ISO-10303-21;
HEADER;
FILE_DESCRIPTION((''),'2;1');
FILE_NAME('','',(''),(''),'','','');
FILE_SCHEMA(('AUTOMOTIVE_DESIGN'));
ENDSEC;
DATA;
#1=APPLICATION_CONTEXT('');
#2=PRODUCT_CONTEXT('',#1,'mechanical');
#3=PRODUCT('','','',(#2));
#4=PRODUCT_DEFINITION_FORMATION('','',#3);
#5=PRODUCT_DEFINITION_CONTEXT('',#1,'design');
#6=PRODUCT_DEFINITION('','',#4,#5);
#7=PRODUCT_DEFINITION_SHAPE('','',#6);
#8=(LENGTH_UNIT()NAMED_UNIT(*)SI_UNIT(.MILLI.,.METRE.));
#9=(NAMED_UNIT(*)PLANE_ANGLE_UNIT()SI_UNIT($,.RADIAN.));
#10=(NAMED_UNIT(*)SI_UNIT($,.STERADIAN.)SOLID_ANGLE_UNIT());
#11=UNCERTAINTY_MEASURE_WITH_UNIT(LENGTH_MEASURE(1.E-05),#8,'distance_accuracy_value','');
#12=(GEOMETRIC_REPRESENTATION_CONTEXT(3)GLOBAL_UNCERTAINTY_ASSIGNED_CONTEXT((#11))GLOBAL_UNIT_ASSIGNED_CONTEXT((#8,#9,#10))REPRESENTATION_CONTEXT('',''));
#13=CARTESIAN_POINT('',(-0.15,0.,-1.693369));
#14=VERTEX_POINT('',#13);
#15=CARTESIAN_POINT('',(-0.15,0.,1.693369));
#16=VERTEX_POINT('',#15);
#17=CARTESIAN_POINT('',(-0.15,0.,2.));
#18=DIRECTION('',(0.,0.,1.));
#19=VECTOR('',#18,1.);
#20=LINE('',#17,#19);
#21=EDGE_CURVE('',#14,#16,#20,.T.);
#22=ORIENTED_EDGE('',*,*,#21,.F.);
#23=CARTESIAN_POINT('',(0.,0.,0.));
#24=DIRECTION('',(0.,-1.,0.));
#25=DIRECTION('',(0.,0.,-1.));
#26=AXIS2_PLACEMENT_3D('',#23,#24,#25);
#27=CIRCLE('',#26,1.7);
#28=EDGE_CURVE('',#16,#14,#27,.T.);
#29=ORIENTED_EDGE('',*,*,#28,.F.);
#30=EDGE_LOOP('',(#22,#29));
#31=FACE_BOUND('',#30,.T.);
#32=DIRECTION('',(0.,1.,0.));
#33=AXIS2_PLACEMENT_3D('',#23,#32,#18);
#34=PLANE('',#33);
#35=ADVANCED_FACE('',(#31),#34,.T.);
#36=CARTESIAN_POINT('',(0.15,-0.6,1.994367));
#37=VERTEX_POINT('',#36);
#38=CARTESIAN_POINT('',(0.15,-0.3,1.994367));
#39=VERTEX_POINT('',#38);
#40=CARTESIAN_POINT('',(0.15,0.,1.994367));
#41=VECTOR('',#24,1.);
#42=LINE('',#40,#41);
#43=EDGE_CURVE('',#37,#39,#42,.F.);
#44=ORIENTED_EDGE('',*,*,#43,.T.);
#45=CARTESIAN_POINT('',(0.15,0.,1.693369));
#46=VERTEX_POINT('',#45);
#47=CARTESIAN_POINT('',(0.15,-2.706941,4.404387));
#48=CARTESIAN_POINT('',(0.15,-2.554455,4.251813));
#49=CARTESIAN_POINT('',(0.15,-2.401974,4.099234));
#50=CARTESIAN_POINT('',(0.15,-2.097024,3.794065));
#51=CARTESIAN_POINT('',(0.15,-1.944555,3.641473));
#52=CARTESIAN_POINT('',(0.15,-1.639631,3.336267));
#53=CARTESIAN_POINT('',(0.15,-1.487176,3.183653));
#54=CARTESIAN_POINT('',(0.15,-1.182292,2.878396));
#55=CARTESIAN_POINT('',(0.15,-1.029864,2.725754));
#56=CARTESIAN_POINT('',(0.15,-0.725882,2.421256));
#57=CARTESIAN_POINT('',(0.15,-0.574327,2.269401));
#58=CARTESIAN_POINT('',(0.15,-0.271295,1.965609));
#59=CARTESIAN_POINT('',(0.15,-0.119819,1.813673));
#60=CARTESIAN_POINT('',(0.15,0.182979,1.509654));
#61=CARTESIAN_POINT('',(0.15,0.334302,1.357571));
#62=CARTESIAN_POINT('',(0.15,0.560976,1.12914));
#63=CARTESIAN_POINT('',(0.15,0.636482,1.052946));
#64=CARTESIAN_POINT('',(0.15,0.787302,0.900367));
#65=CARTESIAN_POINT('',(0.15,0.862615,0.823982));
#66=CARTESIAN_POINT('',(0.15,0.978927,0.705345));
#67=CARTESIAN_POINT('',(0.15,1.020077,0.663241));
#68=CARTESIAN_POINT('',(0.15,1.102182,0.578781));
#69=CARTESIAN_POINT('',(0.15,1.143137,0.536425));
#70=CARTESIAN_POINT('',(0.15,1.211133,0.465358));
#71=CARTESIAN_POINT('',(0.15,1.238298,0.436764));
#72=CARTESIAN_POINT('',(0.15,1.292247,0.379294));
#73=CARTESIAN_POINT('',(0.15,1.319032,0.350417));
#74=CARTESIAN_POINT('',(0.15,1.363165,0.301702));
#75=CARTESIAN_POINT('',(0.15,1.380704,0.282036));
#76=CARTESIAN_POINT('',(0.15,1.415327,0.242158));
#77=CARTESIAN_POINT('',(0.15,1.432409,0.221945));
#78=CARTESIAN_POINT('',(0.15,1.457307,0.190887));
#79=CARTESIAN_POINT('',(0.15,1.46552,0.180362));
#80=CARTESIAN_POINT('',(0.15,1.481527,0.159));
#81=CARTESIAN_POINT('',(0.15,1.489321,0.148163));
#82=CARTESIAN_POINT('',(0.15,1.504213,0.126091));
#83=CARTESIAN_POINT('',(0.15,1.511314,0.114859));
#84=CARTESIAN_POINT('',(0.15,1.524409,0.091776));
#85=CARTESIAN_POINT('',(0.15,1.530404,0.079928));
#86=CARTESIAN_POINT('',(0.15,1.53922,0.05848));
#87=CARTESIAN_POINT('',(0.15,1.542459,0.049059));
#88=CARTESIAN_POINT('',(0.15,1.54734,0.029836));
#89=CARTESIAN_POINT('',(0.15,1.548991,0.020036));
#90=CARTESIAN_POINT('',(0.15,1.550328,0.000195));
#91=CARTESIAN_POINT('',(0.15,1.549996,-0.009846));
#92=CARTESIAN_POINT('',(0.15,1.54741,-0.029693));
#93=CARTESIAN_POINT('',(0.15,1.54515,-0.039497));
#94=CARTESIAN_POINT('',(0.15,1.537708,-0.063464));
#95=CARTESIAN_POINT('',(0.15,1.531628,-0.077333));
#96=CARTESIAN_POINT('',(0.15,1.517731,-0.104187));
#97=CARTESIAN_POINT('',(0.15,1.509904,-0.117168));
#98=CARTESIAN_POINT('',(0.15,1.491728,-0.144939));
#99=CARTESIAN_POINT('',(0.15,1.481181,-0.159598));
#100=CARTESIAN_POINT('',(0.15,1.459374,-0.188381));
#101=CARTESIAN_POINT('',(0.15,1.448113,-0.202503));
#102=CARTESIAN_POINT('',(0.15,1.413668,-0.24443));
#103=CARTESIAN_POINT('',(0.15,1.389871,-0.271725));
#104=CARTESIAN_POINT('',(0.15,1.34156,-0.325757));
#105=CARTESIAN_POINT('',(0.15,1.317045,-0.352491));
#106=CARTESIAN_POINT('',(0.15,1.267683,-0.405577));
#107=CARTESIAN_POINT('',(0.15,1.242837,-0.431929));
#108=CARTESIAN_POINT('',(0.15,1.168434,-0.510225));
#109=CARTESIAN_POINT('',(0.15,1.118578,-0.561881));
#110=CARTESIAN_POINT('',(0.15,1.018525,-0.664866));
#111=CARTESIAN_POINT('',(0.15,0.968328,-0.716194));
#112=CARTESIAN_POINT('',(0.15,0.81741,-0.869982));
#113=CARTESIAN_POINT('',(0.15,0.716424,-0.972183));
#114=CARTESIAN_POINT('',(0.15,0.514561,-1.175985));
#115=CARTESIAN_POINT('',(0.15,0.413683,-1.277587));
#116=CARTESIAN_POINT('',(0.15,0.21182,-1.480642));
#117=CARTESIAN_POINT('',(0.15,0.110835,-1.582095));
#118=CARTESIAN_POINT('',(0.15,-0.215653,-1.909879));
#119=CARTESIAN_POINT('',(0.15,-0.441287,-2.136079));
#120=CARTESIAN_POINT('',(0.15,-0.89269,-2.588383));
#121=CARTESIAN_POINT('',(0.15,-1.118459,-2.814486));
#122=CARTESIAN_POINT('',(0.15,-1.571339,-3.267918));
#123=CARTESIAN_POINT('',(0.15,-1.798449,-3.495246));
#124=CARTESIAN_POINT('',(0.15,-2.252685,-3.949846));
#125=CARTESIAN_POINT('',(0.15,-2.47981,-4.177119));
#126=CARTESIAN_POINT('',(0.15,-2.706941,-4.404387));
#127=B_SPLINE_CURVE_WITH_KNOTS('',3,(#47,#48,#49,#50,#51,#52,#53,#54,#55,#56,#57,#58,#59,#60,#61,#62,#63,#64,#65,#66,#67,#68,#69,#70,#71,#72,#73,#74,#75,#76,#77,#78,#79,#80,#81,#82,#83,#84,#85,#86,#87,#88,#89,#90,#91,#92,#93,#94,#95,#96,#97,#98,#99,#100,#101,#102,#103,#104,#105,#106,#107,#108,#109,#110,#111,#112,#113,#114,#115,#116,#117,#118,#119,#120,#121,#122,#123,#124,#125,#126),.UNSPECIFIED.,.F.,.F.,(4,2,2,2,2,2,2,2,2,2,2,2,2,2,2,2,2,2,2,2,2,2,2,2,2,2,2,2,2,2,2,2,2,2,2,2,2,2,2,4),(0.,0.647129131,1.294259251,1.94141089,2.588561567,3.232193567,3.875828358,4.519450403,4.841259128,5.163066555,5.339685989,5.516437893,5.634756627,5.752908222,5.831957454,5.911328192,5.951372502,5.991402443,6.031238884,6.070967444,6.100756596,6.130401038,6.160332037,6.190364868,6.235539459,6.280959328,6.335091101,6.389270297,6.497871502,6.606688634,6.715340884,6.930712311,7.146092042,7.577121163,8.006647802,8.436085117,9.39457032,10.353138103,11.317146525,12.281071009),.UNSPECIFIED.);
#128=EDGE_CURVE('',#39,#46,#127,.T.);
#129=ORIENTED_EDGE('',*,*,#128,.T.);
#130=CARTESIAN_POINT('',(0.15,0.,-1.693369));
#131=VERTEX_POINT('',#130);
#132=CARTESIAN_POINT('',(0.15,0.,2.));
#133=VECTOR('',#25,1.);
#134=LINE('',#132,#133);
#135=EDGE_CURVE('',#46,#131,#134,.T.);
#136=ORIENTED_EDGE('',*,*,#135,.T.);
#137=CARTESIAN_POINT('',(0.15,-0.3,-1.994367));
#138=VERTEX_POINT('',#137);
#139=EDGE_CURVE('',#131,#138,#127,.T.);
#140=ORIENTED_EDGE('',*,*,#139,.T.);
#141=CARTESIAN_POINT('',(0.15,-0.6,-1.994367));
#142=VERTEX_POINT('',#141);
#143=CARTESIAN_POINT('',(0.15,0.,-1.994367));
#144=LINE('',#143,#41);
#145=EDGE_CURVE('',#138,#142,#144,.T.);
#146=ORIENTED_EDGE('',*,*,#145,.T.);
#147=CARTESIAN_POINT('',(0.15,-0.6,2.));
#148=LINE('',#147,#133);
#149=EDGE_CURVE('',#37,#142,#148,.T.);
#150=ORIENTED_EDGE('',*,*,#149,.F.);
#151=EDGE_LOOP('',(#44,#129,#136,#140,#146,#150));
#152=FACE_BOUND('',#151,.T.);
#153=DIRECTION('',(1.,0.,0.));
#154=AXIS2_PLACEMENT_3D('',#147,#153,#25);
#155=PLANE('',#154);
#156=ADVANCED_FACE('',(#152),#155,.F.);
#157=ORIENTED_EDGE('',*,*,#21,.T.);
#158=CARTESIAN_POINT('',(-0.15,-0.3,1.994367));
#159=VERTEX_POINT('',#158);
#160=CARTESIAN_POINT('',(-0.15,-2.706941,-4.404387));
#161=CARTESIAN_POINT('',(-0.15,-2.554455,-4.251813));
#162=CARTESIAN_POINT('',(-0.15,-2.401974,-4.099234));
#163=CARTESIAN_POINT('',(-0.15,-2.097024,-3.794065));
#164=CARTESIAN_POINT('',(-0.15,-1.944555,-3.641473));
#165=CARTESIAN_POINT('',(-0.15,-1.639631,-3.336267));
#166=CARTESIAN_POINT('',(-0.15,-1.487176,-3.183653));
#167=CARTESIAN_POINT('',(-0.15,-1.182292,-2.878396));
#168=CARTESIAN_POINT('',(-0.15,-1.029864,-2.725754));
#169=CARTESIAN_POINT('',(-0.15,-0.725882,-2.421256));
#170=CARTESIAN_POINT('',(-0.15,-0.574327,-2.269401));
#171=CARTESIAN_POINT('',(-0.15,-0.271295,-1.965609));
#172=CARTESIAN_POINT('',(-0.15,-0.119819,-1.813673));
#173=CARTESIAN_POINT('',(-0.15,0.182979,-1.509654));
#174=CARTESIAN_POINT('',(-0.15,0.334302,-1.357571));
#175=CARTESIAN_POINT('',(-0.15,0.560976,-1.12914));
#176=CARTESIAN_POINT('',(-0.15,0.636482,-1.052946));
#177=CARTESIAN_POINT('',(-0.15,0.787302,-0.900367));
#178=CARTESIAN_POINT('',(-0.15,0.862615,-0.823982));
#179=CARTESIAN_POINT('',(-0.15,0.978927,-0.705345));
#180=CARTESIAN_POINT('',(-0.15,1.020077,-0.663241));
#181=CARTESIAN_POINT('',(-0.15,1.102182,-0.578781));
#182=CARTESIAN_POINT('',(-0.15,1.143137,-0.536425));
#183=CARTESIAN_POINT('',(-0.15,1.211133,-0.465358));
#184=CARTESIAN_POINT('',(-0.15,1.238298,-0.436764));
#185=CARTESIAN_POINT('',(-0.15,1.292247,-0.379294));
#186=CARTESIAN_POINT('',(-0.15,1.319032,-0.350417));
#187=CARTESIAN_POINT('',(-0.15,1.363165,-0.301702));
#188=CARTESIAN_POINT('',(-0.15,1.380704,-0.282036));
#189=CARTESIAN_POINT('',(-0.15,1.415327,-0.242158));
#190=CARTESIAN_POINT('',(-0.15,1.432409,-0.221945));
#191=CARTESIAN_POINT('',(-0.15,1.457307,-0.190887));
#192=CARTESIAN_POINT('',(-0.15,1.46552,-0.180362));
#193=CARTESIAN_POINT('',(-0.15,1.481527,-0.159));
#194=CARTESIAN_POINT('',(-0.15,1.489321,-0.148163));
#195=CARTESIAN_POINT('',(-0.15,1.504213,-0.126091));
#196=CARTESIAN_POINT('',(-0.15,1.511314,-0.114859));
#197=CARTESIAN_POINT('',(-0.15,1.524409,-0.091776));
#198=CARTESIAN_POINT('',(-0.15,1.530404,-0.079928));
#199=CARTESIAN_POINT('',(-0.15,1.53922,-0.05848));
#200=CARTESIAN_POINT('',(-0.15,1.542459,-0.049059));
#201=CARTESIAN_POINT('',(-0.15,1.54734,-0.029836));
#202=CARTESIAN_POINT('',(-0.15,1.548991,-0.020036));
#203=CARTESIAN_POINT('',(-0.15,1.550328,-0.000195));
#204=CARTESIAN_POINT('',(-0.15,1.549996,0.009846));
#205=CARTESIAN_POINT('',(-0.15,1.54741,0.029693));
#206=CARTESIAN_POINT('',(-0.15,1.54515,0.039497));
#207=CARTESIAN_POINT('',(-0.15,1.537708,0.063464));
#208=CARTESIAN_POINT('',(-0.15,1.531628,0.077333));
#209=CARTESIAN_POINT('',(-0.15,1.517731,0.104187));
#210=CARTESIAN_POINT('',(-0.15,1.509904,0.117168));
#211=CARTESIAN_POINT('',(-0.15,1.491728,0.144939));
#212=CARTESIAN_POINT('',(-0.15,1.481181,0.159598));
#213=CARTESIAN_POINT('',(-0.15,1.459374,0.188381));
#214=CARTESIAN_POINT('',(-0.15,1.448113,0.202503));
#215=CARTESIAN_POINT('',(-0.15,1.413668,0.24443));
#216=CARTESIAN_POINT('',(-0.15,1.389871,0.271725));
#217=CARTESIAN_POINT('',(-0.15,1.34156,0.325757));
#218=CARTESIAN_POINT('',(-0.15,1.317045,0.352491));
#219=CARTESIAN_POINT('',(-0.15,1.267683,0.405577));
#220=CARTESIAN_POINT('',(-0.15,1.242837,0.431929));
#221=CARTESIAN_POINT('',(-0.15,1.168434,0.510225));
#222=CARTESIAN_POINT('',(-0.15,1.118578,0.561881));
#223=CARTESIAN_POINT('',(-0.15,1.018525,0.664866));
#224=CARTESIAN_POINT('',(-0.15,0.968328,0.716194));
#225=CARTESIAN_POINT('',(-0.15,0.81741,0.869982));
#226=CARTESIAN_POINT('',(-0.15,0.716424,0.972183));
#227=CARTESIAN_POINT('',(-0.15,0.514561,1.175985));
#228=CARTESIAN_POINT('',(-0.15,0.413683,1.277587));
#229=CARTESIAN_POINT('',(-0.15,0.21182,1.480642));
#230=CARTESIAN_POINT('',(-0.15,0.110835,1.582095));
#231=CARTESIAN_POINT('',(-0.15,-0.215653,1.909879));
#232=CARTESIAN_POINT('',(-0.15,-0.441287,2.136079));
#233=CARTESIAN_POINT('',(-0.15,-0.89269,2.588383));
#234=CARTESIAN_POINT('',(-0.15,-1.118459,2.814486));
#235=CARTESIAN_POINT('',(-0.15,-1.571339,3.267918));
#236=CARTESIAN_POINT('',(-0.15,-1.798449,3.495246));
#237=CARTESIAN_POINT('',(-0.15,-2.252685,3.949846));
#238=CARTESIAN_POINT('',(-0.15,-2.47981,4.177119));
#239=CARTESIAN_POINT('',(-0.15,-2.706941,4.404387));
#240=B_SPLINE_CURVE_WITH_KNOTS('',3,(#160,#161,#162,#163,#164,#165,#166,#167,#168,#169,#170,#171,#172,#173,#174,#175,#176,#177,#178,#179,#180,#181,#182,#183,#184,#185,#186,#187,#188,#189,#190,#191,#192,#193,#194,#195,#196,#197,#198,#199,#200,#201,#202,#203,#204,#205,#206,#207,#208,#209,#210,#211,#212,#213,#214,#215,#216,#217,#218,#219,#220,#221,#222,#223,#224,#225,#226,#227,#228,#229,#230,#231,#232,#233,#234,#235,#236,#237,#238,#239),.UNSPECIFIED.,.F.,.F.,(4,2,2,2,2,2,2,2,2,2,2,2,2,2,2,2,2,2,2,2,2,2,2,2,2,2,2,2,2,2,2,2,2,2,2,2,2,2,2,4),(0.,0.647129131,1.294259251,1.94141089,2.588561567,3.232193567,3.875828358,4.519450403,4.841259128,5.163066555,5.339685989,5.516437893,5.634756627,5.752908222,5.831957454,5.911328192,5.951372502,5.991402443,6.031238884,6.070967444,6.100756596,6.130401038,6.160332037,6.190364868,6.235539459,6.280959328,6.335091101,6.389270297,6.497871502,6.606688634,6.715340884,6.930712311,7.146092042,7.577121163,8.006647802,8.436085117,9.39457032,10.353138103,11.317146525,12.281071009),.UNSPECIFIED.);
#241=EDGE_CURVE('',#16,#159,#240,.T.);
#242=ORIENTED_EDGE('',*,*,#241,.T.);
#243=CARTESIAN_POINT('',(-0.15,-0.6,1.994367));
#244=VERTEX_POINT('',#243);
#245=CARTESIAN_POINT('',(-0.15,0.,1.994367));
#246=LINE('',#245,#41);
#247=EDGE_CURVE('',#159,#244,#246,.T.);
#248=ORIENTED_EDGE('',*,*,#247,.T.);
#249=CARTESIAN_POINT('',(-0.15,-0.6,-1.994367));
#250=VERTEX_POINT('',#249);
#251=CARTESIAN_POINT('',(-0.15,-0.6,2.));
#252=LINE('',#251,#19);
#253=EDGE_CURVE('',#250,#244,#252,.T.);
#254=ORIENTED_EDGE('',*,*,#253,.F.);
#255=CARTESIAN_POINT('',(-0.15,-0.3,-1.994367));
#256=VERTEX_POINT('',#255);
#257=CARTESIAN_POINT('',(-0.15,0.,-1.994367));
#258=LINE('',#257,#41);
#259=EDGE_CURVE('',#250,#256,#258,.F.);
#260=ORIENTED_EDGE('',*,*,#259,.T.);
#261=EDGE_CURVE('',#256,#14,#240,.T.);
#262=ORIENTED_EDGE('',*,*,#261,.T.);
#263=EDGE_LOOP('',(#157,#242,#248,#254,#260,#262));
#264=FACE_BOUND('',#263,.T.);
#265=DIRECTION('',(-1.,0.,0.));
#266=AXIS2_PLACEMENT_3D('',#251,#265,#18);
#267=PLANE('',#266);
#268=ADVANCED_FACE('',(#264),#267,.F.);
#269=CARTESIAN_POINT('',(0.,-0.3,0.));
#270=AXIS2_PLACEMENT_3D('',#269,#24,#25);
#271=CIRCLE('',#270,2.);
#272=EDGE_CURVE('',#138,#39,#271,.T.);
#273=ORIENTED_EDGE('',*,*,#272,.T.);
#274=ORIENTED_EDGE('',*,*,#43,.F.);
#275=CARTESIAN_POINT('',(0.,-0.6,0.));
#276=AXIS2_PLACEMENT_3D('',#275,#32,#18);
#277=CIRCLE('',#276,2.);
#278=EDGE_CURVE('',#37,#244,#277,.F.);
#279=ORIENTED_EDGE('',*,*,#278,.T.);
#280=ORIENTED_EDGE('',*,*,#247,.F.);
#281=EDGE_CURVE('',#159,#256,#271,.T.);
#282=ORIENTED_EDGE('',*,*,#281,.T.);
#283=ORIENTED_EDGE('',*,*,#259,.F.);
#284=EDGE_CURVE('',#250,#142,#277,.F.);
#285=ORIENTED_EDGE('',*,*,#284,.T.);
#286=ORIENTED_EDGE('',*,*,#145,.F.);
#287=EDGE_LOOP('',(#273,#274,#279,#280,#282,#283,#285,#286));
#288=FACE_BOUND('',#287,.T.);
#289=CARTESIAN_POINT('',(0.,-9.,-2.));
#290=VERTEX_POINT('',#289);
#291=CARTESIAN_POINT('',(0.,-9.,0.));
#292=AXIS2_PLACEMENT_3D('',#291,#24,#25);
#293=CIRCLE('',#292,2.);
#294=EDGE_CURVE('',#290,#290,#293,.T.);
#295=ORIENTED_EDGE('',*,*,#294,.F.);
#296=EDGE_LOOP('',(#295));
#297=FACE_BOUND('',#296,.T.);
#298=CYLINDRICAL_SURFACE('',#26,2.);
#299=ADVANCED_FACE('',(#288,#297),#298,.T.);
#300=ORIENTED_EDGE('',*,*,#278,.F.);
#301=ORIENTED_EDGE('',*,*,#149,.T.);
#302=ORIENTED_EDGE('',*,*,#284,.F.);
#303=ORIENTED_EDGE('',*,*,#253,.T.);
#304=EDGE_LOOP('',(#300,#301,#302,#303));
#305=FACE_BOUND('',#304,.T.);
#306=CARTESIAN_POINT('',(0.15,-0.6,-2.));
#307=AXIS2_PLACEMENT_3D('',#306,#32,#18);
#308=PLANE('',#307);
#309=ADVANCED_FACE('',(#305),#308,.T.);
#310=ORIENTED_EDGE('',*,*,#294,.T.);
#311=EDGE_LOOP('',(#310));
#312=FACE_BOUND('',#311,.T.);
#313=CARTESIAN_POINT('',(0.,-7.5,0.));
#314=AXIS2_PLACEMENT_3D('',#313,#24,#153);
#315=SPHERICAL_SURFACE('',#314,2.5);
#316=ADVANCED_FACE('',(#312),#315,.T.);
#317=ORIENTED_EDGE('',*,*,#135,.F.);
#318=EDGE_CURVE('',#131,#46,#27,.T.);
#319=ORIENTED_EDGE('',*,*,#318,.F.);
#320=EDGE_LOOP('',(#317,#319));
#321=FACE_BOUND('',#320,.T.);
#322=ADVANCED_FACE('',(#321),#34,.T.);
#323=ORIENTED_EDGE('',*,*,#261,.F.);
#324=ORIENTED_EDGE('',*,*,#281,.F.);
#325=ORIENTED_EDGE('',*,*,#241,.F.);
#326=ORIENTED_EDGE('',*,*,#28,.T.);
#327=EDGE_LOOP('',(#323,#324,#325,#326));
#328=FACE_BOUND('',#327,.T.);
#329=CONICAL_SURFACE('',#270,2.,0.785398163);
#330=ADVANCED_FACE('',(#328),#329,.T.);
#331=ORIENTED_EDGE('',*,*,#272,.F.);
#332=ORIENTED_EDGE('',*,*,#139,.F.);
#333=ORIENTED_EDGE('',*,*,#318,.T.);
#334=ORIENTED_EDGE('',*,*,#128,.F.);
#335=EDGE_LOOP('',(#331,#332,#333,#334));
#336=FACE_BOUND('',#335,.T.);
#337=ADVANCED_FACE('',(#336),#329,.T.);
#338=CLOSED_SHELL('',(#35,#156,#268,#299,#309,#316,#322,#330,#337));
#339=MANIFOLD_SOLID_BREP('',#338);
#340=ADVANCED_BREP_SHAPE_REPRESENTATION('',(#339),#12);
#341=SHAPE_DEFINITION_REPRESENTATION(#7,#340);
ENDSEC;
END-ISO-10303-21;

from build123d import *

# Parameters (mm, degrees)
ESQUISSE2_W = 0.3
ESQUISSE2_H = 4
FENTE_DEPTH = 0.6


with BuildPart() as part:
    # Esquisse1 → Tige (revolve)
    with BuildSketch(Plane.XY):
        with BuildLine():
            Line((0, 0), (1.7, 0))
            Line((1.7, 0), (2, -0.3))
            Line((2, -0.3), (2, -9))
            ThreePointArc((2, -9), (1.118033989, -9.736067977), (0, -10))
            Line((0, -10), (0, 0))
        make_face()
    revolve(axis=Axis((0, 0, 0), (0, 1, 0)))

    # Esquisse2 → Fente (cut)
    with BuildSketch(Plane(origin=(0, 0, 0), x_dir=(1, 0, 0), z_dir=(0, 1, 0))):
        Rectangle(ESQUISSE2_W, ESQUISSE2_H)
    extrude(amount=-FENTE_DEPTH, mode=Mode.SUBTRACT)


solid = part.part
